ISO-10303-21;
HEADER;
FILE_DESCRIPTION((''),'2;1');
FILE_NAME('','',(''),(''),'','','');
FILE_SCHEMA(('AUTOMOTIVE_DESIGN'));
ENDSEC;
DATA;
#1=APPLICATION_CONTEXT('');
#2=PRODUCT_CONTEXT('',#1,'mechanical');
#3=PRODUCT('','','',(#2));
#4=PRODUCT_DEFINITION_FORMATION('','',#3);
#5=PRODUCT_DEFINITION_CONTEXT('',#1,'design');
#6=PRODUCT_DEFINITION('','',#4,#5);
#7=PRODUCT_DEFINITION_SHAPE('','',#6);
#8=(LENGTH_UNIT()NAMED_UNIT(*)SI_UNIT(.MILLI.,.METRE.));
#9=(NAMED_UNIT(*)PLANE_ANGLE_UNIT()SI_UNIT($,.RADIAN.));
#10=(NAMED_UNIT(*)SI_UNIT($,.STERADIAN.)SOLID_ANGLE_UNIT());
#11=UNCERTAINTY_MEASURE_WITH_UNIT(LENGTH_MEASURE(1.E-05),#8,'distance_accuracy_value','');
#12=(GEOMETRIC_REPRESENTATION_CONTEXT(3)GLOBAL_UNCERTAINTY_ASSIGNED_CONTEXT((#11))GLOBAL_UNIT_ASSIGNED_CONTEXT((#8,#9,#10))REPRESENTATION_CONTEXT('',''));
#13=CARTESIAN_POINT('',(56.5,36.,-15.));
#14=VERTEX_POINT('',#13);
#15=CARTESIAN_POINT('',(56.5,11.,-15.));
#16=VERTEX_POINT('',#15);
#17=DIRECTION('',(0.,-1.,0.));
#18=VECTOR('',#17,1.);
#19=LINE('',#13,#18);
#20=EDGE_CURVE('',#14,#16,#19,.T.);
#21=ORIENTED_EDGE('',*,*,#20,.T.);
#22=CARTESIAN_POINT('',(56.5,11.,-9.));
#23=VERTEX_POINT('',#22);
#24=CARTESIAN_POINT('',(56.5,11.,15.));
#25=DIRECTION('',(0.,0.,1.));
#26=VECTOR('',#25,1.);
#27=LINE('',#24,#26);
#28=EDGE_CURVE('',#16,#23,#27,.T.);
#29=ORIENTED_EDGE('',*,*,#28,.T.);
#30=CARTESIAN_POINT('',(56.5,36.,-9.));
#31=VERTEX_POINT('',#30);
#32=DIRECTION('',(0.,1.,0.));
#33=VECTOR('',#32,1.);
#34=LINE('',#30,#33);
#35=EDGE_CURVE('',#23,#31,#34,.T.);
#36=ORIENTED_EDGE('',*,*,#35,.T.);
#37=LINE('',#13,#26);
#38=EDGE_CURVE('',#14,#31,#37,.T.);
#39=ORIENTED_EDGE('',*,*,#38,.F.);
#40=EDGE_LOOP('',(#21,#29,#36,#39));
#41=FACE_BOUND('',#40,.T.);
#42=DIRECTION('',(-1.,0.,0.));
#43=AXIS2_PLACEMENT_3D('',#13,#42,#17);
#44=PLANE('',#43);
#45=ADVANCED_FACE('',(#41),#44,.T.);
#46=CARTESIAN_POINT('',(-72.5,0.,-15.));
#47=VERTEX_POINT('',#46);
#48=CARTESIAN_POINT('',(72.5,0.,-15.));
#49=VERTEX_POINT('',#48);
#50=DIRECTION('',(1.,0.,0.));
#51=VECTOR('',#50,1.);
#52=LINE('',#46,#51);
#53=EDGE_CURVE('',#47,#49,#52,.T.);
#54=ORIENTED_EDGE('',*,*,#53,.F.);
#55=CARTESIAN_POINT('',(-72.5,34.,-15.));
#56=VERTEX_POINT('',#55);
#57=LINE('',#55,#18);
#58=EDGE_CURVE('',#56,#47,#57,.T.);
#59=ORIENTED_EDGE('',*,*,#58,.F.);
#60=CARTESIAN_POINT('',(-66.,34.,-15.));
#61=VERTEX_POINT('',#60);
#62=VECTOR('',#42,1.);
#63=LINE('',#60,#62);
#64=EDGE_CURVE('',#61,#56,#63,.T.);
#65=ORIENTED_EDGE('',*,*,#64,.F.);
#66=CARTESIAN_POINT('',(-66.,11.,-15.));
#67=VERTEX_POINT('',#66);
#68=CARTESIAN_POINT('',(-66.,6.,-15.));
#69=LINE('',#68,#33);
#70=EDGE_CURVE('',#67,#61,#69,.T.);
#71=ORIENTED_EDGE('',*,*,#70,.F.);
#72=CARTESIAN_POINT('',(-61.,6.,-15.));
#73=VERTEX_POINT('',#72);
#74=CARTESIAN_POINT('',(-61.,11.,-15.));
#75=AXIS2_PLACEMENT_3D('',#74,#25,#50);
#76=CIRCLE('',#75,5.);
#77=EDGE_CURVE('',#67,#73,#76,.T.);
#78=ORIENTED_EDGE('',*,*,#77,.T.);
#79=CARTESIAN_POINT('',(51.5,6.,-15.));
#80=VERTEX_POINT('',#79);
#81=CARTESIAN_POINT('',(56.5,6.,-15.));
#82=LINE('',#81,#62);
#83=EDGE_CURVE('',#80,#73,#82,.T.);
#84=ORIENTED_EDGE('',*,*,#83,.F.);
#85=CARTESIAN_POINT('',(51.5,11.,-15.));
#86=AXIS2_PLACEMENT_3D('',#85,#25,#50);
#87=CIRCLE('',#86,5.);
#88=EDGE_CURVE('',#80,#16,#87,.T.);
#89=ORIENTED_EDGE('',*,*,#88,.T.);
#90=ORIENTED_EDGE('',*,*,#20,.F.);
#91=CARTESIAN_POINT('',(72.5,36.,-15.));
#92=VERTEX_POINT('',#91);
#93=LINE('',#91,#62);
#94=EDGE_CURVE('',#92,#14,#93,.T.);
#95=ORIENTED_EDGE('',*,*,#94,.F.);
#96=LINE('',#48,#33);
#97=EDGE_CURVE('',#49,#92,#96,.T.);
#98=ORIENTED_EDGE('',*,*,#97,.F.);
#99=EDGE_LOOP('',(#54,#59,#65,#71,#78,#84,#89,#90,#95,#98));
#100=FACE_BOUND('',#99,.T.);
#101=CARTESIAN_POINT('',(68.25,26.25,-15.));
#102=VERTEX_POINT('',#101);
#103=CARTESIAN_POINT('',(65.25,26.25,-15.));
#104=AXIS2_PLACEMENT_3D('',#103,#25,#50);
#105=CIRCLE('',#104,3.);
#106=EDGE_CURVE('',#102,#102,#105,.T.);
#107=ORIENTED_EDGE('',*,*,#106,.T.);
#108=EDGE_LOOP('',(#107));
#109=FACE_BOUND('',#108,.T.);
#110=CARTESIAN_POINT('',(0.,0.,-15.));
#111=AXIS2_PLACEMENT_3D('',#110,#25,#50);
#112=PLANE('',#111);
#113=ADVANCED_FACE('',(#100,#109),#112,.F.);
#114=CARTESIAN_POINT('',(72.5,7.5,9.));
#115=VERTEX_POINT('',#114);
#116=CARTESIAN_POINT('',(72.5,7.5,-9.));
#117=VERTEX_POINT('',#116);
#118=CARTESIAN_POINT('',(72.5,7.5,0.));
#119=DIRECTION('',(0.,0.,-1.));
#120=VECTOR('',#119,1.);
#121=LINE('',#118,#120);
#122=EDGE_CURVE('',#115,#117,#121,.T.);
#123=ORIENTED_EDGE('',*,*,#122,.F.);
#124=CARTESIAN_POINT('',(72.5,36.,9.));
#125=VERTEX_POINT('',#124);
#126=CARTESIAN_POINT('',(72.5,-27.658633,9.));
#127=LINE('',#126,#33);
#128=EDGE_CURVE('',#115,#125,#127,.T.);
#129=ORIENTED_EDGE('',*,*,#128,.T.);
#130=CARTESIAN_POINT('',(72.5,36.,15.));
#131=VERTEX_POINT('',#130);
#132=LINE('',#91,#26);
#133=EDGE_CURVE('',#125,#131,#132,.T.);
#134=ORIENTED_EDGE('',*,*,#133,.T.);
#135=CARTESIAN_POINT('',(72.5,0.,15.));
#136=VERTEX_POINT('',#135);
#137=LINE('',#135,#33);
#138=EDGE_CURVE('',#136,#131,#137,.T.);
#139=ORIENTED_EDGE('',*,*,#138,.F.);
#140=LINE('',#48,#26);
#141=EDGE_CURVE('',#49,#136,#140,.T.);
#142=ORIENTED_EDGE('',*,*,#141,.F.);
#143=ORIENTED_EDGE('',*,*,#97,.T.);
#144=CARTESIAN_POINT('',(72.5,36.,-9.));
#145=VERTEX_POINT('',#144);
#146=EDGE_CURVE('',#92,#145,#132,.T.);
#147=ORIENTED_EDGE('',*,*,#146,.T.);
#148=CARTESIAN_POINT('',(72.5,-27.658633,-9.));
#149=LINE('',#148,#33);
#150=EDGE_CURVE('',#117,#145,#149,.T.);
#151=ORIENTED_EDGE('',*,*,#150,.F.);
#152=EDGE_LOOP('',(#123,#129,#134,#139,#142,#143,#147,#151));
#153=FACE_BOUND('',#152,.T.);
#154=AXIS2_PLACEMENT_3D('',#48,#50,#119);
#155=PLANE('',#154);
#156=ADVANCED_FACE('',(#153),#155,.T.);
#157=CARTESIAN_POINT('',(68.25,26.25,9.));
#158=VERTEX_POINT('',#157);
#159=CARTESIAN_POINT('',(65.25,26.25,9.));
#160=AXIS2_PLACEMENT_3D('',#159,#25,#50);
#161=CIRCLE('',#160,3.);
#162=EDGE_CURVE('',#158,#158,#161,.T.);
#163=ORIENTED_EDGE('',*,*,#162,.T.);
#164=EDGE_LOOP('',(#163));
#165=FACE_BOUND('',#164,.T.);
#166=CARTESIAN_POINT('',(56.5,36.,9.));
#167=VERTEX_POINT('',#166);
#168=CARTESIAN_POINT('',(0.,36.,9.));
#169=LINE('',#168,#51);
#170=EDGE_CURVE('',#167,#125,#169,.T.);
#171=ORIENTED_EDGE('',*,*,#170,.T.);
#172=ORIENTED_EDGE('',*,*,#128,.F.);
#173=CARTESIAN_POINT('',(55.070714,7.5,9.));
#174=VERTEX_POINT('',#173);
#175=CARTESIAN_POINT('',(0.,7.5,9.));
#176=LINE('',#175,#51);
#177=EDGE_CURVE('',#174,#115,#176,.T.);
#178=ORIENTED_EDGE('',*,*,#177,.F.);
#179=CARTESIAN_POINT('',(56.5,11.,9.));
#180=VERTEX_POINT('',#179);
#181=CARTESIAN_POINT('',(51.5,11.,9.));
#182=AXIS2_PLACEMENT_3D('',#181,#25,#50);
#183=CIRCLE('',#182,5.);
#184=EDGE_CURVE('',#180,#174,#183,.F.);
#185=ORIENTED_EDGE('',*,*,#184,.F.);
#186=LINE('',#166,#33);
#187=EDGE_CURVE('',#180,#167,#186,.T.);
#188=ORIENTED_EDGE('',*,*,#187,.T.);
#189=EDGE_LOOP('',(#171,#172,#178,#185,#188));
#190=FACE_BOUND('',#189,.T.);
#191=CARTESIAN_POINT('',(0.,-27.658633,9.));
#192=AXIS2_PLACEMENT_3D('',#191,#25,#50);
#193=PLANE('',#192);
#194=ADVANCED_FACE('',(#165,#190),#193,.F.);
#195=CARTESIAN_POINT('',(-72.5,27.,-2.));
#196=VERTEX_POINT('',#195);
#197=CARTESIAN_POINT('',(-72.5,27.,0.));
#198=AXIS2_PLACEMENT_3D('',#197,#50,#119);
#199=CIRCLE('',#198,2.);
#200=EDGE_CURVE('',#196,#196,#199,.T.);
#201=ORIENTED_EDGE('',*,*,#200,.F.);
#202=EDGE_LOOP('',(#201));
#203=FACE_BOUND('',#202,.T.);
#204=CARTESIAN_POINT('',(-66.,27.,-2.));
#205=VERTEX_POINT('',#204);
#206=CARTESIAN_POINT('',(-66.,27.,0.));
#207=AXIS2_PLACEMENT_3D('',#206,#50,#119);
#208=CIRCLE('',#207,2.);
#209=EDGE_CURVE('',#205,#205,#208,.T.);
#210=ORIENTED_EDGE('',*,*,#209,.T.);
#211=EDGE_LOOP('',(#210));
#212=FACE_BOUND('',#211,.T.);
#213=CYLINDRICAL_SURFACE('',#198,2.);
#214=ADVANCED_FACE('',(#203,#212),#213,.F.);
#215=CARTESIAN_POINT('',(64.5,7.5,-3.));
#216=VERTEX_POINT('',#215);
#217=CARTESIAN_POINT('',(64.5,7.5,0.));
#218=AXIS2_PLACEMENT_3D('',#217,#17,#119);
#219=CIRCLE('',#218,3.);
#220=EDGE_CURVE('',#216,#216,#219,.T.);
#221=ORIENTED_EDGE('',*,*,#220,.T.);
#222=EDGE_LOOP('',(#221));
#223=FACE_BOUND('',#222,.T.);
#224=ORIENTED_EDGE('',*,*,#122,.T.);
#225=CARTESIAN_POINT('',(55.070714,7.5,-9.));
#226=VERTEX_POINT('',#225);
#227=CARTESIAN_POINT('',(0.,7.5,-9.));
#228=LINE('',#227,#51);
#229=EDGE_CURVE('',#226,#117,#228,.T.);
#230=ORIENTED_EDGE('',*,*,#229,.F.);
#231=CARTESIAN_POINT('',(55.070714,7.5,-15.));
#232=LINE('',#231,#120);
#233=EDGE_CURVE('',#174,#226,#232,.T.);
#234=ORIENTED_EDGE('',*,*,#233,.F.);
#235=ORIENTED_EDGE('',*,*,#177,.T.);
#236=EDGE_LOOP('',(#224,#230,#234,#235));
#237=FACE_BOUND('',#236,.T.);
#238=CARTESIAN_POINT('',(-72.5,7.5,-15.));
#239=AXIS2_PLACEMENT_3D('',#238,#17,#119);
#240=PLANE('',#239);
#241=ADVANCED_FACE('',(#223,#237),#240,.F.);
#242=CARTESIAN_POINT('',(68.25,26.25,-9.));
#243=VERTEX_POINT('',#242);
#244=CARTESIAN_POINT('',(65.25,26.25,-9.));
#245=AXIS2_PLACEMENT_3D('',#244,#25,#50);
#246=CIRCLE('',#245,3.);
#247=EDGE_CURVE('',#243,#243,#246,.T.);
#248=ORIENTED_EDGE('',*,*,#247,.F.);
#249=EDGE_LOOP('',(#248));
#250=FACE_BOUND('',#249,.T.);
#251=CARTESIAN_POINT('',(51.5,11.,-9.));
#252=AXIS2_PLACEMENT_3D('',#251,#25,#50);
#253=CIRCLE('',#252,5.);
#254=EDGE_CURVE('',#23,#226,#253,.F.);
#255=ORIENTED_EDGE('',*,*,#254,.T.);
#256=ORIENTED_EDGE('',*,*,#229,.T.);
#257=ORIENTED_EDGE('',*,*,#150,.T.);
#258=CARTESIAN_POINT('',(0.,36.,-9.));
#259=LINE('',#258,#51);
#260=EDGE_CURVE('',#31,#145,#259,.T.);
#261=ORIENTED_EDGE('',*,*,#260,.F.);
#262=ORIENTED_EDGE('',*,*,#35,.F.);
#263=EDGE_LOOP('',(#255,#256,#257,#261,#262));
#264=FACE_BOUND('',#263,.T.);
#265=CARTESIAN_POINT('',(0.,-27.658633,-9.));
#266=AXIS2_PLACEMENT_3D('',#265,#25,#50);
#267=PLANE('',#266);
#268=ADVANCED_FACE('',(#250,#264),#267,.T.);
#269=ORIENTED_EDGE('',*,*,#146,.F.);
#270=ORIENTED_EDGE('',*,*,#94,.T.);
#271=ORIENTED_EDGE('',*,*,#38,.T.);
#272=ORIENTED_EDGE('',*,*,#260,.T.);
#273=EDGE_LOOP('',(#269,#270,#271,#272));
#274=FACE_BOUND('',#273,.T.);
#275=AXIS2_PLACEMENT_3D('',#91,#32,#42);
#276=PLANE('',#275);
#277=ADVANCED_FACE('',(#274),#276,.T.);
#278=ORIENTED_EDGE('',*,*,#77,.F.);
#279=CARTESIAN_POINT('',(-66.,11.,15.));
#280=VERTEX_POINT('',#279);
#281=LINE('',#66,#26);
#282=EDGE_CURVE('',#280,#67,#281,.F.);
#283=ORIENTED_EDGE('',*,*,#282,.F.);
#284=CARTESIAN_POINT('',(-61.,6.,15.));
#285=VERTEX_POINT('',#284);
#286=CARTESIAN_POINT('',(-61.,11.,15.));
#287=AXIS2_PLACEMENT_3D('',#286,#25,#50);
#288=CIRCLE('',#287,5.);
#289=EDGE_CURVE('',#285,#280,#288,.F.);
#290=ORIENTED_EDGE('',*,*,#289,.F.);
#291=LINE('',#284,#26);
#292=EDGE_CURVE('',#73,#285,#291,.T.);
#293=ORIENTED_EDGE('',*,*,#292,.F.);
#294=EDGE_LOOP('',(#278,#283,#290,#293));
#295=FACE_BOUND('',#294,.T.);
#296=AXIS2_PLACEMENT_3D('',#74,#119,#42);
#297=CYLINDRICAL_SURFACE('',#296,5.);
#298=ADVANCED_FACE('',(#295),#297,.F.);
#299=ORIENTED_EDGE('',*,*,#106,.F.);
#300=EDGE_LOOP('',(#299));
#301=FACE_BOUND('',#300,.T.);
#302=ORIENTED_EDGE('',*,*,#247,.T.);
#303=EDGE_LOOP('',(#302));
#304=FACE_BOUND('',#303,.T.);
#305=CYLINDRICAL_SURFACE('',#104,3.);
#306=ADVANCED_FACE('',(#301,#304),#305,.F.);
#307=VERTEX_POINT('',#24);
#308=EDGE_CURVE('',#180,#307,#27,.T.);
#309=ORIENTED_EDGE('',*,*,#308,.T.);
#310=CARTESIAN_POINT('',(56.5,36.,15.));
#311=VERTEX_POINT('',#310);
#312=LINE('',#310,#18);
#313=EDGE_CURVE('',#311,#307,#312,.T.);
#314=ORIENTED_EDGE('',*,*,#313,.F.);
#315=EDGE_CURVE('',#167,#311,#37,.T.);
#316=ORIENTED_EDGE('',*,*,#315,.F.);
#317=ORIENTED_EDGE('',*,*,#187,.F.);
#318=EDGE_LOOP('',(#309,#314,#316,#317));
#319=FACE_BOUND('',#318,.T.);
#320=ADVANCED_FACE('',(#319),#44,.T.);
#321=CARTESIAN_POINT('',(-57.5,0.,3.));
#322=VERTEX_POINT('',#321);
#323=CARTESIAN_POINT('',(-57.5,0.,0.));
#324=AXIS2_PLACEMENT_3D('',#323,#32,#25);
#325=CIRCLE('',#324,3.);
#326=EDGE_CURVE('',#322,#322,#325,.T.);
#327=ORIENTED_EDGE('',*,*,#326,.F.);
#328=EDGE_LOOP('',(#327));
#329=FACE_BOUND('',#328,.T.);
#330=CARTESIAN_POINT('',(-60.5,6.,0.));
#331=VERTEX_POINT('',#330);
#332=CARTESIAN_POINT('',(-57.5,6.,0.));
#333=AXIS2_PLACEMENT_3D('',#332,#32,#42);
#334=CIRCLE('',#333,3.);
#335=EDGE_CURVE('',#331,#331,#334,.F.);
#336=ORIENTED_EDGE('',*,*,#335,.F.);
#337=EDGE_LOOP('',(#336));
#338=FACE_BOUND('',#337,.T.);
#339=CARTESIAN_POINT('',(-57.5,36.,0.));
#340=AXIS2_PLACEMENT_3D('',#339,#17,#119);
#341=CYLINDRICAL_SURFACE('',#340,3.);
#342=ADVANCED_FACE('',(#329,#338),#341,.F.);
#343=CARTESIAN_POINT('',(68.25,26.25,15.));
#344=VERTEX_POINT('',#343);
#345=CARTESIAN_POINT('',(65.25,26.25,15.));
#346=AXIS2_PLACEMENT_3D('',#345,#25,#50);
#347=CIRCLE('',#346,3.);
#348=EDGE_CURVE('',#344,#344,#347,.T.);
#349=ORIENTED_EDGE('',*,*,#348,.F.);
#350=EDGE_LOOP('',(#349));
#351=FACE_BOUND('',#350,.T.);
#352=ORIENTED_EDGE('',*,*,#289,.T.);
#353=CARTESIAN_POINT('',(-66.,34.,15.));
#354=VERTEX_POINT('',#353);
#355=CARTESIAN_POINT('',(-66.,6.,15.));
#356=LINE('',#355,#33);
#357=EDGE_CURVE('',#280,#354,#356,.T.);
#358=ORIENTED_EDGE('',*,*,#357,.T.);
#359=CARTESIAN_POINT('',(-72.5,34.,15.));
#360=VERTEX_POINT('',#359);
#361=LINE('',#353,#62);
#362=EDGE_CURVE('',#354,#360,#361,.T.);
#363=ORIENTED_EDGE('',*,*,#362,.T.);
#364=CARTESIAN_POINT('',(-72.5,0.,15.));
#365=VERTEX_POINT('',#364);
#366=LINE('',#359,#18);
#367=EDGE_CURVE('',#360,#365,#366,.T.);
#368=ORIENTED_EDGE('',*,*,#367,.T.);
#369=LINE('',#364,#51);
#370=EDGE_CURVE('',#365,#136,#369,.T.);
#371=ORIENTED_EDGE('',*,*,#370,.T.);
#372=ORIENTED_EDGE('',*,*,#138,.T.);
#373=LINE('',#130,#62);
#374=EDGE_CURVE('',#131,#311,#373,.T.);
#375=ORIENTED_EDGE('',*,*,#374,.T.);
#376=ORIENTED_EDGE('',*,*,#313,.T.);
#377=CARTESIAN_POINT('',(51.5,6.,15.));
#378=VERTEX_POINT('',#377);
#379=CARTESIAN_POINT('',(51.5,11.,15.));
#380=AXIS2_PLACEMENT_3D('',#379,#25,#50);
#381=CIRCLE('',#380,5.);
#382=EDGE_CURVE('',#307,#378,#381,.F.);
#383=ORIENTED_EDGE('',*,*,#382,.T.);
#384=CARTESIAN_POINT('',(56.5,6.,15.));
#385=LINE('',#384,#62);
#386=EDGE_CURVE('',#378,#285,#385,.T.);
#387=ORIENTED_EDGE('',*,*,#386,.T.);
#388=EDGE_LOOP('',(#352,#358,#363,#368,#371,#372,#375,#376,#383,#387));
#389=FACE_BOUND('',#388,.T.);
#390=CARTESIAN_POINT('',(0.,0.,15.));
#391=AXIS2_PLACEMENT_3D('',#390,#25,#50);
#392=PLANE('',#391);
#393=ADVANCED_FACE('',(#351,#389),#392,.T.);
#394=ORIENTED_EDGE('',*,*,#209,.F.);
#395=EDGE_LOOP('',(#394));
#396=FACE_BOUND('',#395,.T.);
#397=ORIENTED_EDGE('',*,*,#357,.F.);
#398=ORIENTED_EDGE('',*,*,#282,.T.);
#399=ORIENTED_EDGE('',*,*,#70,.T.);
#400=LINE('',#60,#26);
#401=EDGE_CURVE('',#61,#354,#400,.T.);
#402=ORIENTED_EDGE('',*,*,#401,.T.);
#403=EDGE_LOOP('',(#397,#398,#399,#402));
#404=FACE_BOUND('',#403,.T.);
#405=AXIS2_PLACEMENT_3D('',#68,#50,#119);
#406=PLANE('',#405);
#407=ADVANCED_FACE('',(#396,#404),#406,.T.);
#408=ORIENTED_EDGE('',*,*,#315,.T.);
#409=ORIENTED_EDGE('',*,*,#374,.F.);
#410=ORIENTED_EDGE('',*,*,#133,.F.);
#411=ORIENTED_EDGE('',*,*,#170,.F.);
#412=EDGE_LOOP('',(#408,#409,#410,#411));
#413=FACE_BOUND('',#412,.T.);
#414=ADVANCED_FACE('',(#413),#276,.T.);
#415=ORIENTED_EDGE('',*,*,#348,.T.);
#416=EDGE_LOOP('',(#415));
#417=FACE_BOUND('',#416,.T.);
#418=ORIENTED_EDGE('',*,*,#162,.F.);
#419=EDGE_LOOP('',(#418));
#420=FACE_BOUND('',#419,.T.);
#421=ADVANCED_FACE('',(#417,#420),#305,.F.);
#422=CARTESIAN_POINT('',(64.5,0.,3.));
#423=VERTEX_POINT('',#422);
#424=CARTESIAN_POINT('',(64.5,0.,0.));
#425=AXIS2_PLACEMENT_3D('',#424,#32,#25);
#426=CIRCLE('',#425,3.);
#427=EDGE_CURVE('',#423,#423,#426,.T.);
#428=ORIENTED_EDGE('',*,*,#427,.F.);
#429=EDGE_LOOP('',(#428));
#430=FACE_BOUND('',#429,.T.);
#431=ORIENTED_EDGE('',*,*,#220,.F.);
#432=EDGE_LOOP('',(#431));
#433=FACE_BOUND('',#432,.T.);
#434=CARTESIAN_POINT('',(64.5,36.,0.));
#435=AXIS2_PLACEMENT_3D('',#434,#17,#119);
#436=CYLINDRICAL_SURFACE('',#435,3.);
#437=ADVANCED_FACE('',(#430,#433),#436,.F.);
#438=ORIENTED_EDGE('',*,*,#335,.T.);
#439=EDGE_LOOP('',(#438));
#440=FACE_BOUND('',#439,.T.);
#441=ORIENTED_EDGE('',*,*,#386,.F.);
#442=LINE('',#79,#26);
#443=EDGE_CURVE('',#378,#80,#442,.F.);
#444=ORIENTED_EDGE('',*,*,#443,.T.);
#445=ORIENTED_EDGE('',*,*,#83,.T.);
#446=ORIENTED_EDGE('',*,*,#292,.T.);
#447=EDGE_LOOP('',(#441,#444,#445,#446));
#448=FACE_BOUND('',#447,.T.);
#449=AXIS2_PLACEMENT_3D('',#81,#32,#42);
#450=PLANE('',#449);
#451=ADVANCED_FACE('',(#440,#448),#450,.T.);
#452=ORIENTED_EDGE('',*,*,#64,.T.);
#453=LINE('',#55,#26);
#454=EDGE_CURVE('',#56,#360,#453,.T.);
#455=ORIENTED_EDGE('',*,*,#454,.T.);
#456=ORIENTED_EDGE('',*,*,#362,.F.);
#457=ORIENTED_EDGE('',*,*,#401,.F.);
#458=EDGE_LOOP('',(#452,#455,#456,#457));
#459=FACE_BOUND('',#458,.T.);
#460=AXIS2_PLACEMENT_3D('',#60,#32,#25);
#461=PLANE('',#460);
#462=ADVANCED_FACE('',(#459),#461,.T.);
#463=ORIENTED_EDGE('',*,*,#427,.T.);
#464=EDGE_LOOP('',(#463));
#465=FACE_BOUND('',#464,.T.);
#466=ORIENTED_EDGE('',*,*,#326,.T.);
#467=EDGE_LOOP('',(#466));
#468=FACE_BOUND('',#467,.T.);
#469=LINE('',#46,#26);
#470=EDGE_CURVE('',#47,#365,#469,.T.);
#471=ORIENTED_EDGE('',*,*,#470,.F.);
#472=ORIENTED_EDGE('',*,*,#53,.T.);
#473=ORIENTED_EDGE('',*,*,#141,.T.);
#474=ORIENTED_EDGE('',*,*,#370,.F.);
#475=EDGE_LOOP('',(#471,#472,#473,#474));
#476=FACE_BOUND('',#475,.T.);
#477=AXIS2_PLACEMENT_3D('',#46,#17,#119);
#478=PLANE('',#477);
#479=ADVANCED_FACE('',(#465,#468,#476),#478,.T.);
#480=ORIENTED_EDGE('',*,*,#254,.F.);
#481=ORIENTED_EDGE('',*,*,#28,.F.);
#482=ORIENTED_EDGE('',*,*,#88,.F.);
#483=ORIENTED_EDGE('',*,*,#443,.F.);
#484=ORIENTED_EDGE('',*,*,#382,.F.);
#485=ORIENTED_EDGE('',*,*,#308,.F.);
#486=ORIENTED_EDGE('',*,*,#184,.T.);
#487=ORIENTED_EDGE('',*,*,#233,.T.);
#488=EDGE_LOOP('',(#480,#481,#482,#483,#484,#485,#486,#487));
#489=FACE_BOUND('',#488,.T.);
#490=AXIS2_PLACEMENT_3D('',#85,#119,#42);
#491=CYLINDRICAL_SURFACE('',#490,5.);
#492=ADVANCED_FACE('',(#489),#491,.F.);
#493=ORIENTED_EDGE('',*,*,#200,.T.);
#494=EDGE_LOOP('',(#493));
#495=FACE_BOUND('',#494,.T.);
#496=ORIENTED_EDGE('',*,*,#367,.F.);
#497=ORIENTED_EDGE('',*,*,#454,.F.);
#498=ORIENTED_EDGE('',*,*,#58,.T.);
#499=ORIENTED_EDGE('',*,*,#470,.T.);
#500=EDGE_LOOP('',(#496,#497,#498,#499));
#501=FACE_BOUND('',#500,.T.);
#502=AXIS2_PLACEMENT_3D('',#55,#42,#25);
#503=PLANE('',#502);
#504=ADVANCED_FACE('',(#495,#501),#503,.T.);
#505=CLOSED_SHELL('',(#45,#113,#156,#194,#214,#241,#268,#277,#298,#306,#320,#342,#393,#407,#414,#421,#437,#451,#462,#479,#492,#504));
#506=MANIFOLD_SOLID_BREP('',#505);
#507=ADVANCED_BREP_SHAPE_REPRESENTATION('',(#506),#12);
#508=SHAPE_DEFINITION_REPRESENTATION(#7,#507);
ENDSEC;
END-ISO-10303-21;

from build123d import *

# Parameters (mm, degrees)
BOSS_EXTRUDE1_DEPTH      = 15
BOSS_EXTRUDE1_DEPTH_BACK = 15
SKETCH2_R                = 3
CUT_EXTRUDE1_DEPTH       = 83.324054808
FILLET1_R                = 5
CUT_EXTRUDE2_START       = -28.5
SKETCH3_W                = 5
SKETCH3_H                = 18
CUT_EXTRUDE2_DEPTH       = 28.5
CUT_EXTRUDE3_DEPTH       = 83.324054808
CUT_EXTRUDE3_DEPTH_BACK  = 83.324054808
SKETCH4_R                = 3
SKETCH5_R                = 2
CUT_EXTRUDE4_DEPTH       = 83.324054808


with BuildPart() as part:
    # Sketch1 → Boss-Extrude1 (new, two sides: drawn at the far end of the back side and taken through both)
    with BuildSketch(Plane.XY.offset(-BOSS_EXTRUDE1_DEPTH_BACK)):
        Polygon((-72.5, 34), (-72.5, 0), (72.5, 0), (72.5, 36), (56.5, 36), (56.5, 6), (-66, 6), (-66, 34), align=None)
    extrude(amount=BOSS_EXTRUDE1_DEPTH + BOSS_EXTRUDE1_DEPTH_BACK)

    # Sketch2 → Cut-Extrude1 (cut, through all)
    with BuildSketch(Plane(origin=(0, 0, 0), x_dir=(1, 0, 0), z_dir=(0, 1, 0))):
        with Locations(Location((-57.5, 0, 0), (0, 0, 180))):
            Circle(SKETCH2_R)
        with Locations(Location((64.5, 0, 0), (0, 0, 270))):
            Circle(SKETCH2_R)
    extrude(amount=CUT_EXTRUDE1_DEPTH, mode=Mode.SUBTRACT)

    # Fillet1
    fillet1_edges = [part.edges().sort_by_distance(p)[0] for p in [
        (-66, 6, 0),
        (56.5, 6, 0),
    ]]
    fillet(fillet1_edges, radius=FILLET1_R)

    # Sketch3 → Cut-Extrude2 (cut)
    with BuildSketch(Plane(origin=(0, 36, 0), x_dir=(1, 0, 0), z_dir=(0, 1, 0)).offset(CUT_EXTRUDE2_START)):
        with BuildLine():
            Line((72.5, 9), (56.5, 9))
            Line((56.5, 9), (56.5, -9))
            Line((56.5, -9), (62.506908484, -2.242227956))
            ThreePointArc((62.506908484, -2.242227956), (62.257772044, 1.993091516), (66.493091516, 2.242227956))
            Line((66.493091516, 2.242227956), (72.5, 9))
        make_face()
        with Locations((54, 0)):
            Rectangle(SKETCH3_W, SKETCH3_H)
        with BuildLine():
            Line((72.5, -9), (72.5, 9))
            Line((72.5, 9), (66.493091516, 2.242227956))
            ThreePointArc((66.493091516, 2.242227956), (67.236720167, 1.228968155), (67.5, 0))
            ThreePointArc((67.5, 0), (65.728968155, -2.736720167), (62.506908484, -2.242227956))
            Line((62.506908484, -2.242227956), (56.5, -9))
            Line((56.5, -9), (72.5, -9))
        make_face()
    extrude(amount=CUT_EXTRUDE2_DEPTH, mode=Mode.SUBTRACT)

    # Sketch4 → Cut-Extrude3 (cut, two sides: drawn at the far end of the back side and taken through both)
    with BuildSketch(Plane.XY.offset(-CUT_EXTRUDE3_DEPTH_BACK)):
        with Locations((65.25, 26.25)):
            Circle(SKETCH4_R)
    extrude(amount=CUT_EXTRUDE3_DEPTH + CUT_EXTRUDE3_DEPTH_BACK, mode=Mode.SUBTRACT)

    # Sketch5 → Cut-Extrude4 (cut, through all)
    with BuildSketch(Plane(origin=(0, 0, 0), x_dir=(0, 0, -1), z_dir=(1, 0, 0))):
        with Locations((0, 27)):
            Circle(SKETCH5_R)
    extrude(amount=-CUT_EXTRUDE4_DEPTH, mode=Mode.SUBTRACT)


solid = part.part
